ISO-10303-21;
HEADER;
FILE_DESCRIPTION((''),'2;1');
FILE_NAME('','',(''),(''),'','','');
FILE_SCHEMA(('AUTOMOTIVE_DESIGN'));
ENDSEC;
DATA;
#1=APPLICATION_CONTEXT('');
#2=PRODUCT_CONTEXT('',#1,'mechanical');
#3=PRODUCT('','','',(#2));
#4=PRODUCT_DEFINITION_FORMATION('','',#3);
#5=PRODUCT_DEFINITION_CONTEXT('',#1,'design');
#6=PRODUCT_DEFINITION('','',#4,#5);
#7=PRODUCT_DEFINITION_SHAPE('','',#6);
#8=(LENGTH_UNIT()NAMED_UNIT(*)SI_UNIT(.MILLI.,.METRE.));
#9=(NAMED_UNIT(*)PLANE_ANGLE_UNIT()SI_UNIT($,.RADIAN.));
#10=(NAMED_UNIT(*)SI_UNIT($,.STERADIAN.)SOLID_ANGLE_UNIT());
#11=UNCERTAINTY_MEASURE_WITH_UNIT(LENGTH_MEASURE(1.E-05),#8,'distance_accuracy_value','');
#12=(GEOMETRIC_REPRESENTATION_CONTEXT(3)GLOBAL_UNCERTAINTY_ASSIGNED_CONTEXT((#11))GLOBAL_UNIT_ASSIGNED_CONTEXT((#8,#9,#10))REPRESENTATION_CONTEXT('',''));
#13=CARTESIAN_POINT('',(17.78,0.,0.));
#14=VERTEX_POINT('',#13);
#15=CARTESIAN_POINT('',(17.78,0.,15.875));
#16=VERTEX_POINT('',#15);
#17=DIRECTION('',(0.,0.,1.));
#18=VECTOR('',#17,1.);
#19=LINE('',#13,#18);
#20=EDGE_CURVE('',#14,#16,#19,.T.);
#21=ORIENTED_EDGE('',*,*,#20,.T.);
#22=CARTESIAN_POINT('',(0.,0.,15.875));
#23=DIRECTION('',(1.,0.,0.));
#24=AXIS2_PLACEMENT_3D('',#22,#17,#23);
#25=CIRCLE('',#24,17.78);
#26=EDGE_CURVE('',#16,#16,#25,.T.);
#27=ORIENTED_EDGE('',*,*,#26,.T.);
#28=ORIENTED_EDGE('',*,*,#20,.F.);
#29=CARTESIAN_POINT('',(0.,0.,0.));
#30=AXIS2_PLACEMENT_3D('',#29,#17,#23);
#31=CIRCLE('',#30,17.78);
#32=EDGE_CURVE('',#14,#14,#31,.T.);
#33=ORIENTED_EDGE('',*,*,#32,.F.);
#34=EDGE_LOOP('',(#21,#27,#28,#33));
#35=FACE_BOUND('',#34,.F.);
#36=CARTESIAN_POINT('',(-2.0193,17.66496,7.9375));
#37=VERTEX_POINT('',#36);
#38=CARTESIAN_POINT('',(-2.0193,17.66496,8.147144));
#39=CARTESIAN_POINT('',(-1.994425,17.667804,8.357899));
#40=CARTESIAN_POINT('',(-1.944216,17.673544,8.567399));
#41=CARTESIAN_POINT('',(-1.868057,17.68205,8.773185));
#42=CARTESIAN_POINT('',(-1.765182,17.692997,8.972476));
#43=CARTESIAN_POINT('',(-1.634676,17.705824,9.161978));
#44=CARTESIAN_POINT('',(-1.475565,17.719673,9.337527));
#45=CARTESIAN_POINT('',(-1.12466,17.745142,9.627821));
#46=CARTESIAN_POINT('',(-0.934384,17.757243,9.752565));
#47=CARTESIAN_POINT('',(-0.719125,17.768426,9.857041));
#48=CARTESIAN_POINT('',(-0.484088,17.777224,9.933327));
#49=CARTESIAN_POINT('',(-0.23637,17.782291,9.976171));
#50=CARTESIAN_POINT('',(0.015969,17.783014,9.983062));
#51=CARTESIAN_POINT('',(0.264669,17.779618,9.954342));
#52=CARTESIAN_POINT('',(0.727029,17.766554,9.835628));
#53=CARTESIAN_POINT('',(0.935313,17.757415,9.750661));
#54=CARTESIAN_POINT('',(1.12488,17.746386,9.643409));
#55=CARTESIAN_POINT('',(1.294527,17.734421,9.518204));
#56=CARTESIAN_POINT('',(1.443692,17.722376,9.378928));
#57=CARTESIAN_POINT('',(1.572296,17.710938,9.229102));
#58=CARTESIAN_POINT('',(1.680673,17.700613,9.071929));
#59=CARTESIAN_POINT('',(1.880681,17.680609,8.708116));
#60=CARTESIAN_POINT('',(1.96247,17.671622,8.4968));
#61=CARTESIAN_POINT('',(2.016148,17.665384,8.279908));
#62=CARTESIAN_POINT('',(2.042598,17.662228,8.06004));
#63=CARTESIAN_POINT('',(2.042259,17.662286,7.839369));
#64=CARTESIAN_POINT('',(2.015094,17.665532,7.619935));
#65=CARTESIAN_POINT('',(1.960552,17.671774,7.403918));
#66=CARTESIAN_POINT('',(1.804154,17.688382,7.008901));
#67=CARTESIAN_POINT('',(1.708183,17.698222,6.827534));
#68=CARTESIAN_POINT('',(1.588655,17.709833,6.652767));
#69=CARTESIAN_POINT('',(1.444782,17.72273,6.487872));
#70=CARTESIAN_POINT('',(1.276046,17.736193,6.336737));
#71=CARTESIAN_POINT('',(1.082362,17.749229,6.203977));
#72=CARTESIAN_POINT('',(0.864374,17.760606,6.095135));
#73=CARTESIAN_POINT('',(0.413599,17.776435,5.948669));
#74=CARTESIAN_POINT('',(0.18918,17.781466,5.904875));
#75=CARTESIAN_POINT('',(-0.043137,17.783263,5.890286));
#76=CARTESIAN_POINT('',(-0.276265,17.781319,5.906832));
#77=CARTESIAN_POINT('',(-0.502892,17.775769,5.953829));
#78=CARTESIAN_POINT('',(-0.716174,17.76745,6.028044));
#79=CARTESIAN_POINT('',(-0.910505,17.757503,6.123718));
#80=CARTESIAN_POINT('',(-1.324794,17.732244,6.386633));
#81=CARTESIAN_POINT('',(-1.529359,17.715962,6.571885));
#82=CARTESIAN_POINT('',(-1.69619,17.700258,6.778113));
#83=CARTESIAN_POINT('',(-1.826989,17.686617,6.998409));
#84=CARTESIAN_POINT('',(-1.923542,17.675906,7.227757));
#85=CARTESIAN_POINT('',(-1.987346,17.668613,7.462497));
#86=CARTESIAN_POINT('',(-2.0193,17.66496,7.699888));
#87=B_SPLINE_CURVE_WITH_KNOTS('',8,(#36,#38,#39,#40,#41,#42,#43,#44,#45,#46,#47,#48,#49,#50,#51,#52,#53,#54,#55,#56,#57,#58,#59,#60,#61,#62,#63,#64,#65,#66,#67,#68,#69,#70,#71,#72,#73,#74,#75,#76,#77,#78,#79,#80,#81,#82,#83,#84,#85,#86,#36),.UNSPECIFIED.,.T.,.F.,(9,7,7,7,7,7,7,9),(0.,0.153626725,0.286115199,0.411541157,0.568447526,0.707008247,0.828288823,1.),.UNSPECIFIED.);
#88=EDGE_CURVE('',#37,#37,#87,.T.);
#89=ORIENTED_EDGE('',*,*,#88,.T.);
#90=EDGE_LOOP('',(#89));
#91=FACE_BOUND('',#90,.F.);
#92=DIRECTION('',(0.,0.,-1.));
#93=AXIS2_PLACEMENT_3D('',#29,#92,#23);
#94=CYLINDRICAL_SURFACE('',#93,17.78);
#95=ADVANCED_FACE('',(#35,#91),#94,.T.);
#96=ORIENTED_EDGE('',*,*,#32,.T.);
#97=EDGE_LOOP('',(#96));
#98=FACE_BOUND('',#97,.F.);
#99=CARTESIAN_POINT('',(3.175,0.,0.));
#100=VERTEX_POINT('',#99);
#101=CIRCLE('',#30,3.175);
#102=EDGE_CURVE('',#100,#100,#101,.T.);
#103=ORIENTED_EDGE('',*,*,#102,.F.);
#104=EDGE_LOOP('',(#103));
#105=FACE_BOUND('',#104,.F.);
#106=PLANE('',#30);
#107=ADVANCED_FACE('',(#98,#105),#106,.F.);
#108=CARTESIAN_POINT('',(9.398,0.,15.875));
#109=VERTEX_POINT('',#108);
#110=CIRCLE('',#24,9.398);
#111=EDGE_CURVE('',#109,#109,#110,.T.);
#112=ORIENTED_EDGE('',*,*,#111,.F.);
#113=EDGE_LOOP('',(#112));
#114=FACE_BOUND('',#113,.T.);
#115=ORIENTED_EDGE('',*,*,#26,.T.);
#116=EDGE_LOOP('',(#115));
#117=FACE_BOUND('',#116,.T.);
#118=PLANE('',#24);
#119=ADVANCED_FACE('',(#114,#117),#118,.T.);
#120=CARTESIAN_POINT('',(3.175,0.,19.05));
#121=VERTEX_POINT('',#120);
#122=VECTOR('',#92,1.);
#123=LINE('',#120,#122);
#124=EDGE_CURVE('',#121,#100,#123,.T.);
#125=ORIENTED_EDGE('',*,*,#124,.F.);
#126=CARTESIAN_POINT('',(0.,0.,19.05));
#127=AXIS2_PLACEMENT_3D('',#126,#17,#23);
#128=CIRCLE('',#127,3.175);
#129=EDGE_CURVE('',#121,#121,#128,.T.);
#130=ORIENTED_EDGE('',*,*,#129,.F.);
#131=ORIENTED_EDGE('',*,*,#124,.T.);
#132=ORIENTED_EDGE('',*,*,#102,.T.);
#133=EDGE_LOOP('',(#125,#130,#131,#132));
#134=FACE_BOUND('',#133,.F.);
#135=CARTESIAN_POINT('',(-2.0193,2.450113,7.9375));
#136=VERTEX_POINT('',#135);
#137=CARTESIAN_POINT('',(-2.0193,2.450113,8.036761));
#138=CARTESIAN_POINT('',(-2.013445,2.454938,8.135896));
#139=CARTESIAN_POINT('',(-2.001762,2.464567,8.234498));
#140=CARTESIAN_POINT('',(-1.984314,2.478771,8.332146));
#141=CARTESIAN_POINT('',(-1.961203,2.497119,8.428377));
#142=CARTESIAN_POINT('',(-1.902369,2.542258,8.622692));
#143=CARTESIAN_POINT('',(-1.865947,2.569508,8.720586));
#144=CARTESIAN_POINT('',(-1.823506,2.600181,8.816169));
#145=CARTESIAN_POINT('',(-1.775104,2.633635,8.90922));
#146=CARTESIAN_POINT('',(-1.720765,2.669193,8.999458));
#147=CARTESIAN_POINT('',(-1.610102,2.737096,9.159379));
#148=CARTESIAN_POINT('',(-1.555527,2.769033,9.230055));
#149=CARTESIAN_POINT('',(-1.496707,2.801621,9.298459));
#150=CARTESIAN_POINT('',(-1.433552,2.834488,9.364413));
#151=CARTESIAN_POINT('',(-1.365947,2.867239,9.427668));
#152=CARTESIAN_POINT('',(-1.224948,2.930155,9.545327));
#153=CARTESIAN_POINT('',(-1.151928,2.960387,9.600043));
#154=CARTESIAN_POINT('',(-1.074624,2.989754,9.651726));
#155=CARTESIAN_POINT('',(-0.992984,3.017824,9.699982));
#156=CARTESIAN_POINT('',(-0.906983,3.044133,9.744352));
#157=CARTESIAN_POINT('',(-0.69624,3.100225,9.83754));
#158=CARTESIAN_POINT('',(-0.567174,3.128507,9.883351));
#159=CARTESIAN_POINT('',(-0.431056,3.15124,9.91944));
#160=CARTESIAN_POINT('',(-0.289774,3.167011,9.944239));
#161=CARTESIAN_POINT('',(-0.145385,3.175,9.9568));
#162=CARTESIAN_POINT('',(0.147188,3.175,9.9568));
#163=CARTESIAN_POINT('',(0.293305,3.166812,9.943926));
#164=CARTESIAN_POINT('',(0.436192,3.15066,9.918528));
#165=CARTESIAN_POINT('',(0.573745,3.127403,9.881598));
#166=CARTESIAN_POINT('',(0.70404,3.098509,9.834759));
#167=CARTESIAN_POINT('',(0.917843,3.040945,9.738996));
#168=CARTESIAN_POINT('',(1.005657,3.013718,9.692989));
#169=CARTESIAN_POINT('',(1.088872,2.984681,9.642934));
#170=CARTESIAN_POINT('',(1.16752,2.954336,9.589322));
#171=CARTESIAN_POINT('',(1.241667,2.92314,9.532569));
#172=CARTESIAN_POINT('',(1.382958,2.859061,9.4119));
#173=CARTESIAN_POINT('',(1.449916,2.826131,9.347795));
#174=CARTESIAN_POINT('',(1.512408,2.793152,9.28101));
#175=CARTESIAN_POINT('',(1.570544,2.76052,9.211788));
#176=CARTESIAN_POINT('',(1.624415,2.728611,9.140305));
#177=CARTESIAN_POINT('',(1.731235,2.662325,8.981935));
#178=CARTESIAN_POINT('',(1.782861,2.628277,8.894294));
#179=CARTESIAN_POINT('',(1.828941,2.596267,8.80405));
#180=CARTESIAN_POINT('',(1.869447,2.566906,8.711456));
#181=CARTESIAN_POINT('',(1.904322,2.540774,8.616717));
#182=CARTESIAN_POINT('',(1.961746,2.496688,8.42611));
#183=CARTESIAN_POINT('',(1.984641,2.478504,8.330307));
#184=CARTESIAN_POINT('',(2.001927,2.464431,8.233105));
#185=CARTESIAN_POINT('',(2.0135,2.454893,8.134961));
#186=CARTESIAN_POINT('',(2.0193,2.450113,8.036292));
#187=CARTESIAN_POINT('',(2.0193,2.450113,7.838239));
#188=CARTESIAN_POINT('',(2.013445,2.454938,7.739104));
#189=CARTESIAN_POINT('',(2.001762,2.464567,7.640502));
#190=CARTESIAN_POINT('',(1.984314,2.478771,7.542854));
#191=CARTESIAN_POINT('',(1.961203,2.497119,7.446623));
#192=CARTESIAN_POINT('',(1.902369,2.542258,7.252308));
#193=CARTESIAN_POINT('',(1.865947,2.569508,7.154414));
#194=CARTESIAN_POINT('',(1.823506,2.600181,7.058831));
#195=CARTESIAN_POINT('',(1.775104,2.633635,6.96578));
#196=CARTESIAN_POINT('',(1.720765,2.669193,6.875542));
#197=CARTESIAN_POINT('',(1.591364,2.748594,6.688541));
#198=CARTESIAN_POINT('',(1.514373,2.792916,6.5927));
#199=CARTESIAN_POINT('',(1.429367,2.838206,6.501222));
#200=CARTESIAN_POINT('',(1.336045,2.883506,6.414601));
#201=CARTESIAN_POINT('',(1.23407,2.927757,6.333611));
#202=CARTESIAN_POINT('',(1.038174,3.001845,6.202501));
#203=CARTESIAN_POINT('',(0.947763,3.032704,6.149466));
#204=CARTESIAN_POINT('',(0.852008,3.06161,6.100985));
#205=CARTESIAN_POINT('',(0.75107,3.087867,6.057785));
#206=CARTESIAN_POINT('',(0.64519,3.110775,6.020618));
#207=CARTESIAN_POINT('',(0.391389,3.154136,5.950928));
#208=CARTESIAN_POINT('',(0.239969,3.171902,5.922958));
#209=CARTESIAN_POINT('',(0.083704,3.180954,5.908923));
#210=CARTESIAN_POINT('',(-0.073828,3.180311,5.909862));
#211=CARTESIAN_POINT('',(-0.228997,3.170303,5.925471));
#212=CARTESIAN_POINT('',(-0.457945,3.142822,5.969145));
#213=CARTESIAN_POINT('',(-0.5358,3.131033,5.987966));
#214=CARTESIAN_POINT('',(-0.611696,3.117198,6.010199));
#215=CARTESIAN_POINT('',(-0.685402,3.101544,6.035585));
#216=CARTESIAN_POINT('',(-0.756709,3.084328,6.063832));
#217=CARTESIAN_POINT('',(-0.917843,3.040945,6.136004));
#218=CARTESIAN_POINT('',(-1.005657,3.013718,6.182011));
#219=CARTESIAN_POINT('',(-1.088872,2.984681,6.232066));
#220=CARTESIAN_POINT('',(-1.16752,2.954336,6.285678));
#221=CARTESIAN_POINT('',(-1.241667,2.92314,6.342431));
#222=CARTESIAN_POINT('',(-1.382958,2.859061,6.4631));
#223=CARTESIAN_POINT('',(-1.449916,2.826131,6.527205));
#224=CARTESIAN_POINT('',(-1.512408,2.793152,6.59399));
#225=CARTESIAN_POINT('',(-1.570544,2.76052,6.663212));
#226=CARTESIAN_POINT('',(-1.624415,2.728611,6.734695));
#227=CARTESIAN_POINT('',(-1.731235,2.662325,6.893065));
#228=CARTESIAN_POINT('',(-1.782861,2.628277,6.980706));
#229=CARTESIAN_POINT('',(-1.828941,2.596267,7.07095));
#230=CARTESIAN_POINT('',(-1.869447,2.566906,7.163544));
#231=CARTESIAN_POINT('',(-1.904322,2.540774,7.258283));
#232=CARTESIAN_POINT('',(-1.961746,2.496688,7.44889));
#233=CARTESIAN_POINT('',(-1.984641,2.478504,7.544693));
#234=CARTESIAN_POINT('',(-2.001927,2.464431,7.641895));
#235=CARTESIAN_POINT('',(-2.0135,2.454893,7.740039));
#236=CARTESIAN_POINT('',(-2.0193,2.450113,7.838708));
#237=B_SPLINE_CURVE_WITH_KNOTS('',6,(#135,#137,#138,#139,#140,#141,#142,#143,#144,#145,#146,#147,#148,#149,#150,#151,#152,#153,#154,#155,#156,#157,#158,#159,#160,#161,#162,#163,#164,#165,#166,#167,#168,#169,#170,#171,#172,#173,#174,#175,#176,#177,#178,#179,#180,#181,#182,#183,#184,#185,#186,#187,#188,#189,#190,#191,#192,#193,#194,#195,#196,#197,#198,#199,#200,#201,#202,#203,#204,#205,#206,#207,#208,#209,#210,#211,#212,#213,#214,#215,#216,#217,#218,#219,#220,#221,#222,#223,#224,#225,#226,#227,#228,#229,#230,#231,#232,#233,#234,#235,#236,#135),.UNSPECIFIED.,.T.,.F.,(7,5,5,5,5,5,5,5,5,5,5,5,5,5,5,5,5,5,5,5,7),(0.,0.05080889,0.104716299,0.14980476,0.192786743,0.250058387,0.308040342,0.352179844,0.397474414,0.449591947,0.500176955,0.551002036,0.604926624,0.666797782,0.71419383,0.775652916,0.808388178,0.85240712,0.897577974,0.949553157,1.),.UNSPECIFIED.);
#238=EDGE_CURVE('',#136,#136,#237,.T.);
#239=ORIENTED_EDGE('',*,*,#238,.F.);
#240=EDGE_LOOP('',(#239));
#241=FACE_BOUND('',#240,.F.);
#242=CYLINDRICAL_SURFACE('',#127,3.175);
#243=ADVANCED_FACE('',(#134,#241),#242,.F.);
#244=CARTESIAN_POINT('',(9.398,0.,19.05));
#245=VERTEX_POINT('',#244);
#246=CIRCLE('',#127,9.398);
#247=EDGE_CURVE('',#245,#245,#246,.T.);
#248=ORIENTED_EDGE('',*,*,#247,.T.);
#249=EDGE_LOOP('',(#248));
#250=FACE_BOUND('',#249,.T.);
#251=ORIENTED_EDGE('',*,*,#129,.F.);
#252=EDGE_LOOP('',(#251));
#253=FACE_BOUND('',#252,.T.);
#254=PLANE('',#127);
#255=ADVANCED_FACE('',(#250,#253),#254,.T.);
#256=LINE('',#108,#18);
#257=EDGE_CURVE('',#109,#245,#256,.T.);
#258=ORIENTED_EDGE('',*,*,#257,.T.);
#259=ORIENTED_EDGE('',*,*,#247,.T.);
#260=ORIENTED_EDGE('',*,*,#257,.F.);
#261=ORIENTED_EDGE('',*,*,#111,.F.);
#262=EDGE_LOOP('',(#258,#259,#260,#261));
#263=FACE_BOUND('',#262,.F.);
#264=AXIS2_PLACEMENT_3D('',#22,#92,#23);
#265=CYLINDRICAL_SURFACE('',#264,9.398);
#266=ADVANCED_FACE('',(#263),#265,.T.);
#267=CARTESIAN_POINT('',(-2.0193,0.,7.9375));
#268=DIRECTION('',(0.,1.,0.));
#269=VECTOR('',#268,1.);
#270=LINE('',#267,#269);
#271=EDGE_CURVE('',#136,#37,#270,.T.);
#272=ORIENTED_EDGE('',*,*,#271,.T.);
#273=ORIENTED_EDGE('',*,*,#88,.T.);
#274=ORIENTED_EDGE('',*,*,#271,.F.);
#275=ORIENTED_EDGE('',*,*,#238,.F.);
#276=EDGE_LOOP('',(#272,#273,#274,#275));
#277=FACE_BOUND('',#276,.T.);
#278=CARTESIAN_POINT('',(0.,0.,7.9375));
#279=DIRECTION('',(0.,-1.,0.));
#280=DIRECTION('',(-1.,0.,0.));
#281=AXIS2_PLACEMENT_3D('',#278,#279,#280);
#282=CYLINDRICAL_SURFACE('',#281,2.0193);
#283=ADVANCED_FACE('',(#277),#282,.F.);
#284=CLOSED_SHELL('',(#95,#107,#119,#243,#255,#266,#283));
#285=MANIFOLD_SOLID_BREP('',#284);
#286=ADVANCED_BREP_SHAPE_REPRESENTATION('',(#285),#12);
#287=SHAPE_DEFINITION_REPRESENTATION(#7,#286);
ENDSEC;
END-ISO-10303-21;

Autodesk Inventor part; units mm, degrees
ref_plane "YZ Plane" through (0, 0, 0) normal (1, 0, 0) x (0, 1, 0)
ref_plane "XZ Plane" through (0, 0, 0) normal (0, 1, 0) x (-1, 0, 0)
ref_plane "XY Plane" through (0, 0, 0) normal (0, 0, 1) x (1, 0, 0)
sketch "Sketch1" plane through (0, 0, 0) normal (0, 0, 1) x (1, 0, 0)
  circle A0 centre (0, 0) radius 17.78
  dimension "d0" = 35.56
extrude "Extrusion1" add sketch "Sketch1" along normal blind 15.875
sketch "Sketch2" plane through (0, 0, 15.875) normal (0, 0, 1) x (1, 0, 0)
  circle A0 centre (0, 0) radius 9.398
  dimension "d4" = 18.796
extrude "Extrusion2" add sketch "Sketch2" along normal blind 3.175
sketch "Sketch3" plane through (0, 0, 19.05) normal (0, 0, 1) x (1, 0, 0)
  circle A0 centre (0, 0) radius 3.175
  dimension "d7" = 6.35
extrude "Extrusion3" cut sketch "Sketch3" against normal blind 25.4
sketch "Sketch4" plane through (0, 0, 0) normal (0, 1, 0) x (-1, 0, 0)
  circle A0 centre (0, 7.9375) radius 2.0193
  line L0 (-17.78, 0) -> (17.78, 0) projected
  point P0 (0, 0)
  dimension "d10" = 4.0386
  dimension "d13" = 7.9375
extrude "Extrusion4" cut sketch "Sketch4" along normal blind 25.4
properties part number "Flywheel"
